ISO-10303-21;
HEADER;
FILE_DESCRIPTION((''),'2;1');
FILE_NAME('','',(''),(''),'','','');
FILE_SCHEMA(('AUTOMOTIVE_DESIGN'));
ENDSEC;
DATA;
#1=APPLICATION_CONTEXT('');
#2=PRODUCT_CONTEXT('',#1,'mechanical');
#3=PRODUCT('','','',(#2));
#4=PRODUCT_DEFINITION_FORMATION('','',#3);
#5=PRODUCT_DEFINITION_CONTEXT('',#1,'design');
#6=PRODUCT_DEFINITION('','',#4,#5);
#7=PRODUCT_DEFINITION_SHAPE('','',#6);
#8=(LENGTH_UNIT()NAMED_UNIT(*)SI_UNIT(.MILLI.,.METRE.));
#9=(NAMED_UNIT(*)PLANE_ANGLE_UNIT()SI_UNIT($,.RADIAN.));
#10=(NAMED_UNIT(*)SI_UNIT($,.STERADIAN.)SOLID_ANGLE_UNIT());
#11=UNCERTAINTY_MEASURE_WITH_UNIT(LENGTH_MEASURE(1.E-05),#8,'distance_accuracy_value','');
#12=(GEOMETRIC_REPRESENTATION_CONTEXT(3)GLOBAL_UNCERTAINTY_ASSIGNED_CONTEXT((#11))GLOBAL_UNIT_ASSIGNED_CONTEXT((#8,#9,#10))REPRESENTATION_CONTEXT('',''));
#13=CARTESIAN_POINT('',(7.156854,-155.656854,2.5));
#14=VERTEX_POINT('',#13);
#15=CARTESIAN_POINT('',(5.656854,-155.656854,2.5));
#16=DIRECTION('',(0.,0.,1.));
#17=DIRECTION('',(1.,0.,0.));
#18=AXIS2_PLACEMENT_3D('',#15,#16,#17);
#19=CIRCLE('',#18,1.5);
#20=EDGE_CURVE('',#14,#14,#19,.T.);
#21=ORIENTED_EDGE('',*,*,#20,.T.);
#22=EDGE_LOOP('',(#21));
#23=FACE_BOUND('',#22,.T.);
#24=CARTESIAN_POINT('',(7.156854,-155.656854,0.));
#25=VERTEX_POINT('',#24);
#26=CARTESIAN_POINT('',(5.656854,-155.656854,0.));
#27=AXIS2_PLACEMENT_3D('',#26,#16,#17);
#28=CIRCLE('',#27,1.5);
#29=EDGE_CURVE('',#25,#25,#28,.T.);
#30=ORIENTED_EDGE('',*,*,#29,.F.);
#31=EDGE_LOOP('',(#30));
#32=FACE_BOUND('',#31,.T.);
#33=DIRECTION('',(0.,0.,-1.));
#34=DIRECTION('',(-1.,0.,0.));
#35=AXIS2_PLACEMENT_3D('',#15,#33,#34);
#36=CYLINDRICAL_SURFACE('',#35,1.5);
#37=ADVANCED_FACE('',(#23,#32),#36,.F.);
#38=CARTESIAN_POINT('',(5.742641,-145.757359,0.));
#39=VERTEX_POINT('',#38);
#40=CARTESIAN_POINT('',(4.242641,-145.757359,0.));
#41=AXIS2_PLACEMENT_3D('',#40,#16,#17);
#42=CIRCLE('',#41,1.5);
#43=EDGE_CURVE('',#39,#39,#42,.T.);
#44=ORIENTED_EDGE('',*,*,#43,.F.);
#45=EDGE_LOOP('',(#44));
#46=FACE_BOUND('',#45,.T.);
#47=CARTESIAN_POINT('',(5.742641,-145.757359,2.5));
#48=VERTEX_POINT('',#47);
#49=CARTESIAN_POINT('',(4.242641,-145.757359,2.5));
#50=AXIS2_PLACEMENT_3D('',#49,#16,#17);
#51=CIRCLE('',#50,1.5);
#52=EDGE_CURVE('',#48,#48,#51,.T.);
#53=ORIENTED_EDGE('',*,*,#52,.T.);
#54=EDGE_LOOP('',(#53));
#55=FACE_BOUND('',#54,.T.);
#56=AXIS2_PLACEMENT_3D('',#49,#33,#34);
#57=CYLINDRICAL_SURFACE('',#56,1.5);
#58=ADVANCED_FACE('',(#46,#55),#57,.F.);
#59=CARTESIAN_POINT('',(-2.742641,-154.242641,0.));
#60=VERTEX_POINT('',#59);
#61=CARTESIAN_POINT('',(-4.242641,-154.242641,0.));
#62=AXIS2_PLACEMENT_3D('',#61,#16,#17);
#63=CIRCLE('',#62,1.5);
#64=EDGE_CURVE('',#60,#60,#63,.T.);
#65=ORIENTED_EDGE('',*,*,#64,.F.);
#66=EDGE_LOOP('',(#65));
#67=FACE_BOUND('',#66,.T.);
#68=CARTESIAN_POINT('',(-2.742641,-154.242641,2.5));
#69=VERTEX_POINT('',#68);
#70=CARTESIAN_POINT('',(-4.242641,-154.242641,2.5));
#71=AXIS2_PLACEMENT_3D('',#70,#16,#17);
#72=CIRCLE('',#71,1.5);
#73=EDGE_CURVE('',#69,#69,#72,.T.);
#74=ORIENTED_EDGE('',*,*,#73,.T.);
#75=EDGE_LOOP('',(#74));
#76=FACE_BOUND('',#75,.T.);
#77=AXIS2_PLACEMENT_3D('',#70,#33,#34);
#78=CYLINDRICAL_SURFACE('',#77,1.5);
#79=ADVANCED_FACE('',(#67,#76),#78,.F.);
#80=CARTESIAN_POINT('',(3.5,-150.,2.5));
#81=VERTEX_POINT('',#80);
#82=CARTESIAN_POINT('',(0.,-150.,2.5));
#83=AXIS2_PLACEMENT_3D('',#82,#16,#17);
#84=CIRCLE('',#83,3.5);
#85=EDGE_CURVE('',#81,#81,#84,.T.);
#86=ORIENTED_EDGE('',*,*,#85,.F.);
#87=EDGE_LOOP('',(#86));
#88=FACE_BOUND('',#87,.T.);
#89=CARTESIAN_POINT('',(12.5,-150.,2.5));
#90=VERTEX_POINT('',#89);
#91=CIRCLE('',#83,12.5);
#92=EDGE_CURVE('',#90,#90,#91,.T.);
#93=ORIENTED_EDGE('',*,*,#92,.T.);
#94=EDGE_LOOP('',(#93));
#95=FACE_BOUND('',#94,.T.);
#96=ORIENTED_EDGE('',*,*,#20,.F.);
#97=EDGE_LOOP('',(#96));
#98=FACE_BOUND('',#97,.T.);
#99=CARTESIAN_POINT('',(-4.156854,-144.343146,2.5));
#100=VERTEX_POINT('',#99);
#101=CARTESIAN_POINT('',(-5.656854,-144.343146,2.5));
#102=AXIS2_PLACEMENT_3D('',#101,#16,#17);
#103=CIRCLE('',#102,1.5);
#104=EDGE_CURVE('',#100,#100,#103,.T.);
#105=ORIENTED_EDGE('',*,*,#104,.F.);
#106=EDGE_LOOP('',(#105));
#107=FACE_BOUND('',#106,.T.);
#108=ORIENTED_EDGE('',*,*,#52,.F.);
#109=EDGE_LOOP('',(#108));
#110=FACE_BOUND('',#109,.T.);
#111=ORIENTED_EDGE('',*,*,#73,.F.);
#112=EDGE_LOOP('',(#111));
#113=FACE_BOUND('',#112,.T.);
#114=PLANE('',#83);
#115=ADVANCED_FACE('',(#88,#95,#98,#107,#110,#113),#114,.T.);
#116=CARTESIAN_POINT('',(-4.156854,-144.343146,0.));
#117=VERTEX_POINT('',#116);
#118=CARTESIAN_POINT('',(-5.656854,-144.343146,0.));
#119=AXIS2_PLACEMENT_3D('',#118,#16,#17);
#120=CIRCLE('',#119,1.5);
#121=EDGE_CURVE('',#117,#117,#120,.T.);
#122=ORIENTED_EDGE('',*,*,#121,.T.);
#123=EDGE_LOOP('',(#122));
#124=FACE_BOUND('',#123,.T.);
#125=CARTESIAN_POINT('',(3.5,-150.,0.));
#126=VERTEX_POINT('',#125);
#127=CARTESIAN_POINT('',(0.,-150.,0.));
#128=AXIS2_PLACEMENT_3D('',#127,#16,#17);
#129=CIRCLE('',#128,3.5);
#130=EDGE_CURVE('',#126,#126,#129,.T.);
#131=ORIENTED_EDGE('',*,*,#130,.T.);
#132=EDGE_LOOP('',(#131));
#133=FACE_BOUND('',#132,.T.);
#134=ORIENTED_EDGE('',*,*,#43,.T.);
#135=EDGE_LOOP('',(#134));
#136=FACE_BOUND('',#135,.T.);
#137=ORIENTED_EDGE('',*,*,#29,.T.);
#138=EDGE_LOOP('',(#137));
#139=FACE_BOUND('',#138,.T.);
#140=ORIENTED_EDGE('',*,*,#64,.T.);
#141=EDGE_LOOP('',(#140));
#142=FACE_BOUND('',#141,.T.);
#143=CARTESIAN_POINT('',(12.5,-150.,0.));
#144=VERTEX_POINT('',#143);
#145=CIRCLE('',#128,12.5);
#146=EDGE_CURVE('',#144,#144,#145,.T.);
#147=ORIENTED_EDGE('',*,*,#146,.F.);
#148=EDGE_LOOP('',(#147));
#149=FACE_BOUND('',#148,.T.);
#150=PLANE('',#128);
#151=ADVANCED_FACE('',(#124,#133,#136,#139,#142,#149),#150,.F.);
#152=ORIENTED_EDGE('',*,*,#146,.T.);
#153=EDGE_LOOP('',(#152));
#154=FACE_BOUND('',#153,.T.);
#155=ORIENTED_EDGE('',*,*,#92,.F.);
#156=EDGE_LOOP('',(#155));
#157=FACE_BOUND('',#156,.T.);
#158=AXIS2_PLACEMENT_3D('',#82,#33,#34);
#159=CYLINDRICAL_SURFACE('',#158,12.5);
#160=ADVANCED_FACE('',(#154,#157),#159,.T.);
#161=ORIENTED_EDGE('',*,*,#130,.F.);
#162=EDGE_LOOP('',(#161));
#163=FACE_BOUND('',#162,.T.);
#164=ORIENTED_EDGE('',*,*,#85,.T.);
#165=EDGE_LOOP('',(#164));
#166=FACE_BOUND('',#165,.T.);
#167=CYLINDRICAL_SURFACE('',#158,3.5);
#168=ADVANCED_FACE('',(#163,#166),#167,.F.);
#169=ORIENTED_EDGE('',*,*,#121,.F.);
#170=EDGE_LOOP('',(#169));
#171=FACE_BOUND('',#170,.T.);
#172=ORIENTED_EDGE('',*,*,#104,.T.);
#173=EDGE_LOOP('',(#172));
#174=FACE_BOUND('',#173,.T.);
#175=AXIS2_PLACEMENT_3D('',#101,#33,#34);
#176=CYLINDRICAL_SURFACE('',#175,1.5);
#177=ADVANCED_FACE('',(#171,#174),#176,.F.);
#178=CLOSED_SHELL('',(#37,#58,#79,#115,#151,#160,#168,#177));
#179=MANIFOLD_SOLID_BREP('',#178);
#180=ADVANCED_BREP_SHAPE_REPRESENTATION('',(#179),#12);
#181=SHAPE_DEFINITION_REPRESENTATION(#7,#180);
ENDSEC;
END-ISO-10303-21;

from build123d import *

# Parameters (mm, degrees)
SKETCH1_R           = 12.5
SKETCH1_R_2         = 1.5
SKETCH1_R_3         = 3.5
BOSS_EXTRUDE1_DEPTH = 2.5


with BuildPart() as part:
    # Sketch1 → Boss-Extrude1 (new body)
    with BuildSketch(Plane.XY):
        with Locations((0, -150)):
            Circle(SKETCH1_R)
        with Locations((5.656854249, -155.656854249)):
            Circle(SKETCH1_R_2, mode=Mode.SUBTRACT)
        with Locations((4.242640687, -145.757359313)):
            Circle(SKETCH1_R_2, mode=Mode.SUBTRACT)
        with Locations((-5.656854249, -144.343145751)):
            Circle(SKETCH1_R_2, mode=Mode.SUBTRACT)
        with Locations((-4.242640687, -154.242640687)):
            Circle(SKETCH1_R_2, mode=Mode.SUBTRACT)
        with Locations((0, -150)):
            Circle(SKETCH1_R_3, mode=Mode.SUBTRACT)
    extrude(amount=BOSS_EXTRUDE1_DEPTH)


solid = part.part
